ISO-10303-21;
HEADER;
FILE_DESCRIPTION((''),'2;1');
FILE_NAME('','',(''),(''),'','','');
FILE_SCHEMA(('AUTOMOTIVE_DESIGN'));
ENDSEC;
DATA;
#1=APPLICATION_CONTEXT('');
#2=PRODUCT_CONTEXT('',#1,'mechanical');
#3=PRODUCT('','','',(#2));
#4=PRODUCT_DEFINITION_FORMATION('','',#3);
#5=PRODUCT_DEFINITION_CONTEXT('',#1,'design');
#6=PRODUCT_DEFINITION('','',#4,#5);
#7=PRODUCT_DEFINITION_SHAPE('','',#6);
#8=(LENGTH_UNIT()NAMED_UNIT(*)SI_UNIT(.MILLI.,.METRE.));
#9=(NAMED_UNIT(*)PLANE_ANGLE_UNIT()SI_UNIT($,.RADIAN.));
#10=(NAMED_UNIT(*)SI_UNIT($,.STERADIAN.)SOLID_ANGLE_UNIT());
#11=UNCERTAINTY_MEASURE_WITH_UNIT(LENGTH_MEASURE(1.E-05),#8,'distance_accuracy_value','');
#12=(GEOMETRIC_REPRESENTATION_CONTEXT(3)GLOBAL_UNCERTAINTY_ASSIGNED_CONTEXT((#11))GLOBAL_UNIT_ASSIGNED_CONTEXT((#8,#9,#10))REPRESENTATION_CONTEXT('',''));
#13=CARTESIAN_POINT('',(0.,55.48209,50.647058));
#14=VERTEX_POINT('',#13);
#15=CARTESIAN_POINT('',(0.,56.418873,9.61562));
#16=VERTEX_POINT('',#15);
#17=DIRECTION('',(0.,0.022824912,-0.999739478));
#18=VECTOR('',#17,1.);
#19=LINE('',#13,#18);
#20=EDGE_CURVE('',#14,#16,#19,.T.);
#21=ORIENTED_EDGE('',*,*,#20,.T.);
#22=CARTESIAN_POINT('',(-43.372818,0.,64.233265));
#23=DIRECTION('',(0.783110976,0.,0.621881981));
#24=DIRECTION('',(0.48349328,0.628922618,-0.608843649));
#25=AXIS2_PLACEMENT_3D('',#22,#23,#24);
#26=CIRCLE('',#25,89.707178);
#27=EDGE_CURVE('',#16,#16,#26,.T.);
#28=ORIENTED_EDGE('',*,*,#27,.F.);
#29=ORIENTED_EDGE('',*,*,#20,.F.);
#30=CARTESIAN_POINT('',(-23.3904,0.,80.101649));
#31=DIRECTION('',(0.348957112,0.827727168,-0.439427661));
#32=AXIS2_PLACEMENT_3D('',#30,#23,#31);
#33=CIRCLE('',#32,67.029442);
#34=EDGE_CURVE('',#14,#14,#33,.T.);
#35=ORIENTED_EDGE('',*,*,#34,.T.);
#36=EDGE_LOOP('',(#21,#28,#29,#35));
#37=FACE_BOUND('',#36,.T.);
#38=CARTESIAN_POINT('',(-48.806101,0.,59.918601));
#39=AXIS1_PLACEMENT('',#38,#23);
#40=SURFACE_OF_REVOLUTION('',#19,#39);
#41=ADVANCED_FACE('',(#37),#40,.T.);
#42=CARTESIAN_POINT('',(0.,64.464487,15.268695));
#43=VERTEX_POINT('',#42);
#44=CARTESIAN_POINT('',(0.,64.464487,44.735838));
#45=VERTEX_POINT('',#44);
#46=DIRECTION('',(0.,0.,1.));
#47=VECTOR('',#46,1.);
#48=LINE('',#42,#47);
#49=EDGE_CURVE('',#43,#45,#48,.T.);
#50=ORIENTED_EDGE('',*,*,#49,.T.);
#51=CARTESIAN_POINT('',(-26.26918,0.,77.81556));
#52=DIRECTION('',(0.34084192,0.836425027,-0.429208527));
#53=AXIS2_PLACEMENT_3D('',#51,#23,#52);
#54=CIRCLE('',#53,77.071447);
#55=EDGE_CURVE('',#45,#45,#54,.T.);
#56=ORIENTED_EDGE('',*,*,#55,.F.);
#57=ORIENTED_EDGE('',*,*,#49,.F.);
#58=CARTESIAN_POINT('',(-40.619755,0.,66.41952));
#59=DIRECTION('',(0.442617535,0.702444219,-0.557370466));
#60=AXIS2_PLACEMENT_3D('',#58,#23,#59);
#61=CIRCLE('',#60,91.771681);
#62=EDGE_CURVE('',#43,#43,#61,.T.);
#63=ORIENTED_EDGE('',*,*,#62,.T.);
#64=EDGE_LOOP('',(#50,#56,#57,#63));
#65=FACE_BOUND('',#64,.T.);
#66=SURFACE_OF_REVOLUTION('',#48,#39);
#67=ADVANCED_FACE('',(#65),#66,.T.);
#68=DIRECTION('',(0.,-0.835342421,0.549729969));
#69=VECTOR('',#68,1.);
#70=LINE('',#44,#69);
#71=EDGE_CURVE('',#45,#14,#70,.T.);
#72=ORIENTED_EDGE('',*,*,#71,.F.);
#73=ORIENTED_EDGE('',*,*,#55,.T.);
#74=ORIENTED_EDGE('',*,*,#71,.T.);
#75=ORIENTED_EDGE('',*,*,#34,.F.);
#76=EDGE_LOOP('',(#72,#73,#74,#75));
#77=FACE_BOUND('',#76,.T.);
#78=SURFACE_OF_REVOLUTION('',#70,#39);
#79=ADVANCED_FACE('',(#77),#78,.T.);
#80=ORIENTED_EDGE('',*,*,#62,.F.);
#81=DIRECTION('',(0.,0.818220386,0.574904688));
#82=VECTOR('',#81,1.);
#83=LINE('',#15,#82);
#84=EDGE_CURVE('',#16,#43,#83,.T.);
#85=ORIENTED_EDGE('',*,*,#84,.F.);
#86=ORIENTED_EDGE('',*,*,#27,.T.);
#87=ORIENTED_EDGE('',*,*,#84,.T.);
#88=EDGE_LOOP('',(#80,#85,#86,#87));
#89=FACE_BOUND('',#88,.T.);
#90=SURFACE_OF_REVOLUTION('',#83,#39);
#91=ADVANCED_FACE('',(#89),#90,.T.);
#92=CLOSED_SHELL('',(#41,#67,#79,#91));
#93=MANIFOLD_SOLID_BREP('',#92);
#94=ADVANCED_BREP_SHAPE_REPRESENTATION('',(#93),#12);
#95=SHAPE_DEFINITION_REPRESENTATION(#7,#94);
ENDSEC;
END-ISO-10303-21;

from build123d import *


with BuildPart() as f2:
    # F1 (on Right) → F2 (revolve)
    with BuildSketch(Plane.YZ):
        Polygon((56.418873, 9.61562), (64.464487, 15.268695), (64.464487, 44.735838), (55.48209, 50.647058), align=None)
    revolve(axis=Axis((-48.806101, 0, 59.918601), (0.783111, 0, 0.621882)))


solid = f2.part
